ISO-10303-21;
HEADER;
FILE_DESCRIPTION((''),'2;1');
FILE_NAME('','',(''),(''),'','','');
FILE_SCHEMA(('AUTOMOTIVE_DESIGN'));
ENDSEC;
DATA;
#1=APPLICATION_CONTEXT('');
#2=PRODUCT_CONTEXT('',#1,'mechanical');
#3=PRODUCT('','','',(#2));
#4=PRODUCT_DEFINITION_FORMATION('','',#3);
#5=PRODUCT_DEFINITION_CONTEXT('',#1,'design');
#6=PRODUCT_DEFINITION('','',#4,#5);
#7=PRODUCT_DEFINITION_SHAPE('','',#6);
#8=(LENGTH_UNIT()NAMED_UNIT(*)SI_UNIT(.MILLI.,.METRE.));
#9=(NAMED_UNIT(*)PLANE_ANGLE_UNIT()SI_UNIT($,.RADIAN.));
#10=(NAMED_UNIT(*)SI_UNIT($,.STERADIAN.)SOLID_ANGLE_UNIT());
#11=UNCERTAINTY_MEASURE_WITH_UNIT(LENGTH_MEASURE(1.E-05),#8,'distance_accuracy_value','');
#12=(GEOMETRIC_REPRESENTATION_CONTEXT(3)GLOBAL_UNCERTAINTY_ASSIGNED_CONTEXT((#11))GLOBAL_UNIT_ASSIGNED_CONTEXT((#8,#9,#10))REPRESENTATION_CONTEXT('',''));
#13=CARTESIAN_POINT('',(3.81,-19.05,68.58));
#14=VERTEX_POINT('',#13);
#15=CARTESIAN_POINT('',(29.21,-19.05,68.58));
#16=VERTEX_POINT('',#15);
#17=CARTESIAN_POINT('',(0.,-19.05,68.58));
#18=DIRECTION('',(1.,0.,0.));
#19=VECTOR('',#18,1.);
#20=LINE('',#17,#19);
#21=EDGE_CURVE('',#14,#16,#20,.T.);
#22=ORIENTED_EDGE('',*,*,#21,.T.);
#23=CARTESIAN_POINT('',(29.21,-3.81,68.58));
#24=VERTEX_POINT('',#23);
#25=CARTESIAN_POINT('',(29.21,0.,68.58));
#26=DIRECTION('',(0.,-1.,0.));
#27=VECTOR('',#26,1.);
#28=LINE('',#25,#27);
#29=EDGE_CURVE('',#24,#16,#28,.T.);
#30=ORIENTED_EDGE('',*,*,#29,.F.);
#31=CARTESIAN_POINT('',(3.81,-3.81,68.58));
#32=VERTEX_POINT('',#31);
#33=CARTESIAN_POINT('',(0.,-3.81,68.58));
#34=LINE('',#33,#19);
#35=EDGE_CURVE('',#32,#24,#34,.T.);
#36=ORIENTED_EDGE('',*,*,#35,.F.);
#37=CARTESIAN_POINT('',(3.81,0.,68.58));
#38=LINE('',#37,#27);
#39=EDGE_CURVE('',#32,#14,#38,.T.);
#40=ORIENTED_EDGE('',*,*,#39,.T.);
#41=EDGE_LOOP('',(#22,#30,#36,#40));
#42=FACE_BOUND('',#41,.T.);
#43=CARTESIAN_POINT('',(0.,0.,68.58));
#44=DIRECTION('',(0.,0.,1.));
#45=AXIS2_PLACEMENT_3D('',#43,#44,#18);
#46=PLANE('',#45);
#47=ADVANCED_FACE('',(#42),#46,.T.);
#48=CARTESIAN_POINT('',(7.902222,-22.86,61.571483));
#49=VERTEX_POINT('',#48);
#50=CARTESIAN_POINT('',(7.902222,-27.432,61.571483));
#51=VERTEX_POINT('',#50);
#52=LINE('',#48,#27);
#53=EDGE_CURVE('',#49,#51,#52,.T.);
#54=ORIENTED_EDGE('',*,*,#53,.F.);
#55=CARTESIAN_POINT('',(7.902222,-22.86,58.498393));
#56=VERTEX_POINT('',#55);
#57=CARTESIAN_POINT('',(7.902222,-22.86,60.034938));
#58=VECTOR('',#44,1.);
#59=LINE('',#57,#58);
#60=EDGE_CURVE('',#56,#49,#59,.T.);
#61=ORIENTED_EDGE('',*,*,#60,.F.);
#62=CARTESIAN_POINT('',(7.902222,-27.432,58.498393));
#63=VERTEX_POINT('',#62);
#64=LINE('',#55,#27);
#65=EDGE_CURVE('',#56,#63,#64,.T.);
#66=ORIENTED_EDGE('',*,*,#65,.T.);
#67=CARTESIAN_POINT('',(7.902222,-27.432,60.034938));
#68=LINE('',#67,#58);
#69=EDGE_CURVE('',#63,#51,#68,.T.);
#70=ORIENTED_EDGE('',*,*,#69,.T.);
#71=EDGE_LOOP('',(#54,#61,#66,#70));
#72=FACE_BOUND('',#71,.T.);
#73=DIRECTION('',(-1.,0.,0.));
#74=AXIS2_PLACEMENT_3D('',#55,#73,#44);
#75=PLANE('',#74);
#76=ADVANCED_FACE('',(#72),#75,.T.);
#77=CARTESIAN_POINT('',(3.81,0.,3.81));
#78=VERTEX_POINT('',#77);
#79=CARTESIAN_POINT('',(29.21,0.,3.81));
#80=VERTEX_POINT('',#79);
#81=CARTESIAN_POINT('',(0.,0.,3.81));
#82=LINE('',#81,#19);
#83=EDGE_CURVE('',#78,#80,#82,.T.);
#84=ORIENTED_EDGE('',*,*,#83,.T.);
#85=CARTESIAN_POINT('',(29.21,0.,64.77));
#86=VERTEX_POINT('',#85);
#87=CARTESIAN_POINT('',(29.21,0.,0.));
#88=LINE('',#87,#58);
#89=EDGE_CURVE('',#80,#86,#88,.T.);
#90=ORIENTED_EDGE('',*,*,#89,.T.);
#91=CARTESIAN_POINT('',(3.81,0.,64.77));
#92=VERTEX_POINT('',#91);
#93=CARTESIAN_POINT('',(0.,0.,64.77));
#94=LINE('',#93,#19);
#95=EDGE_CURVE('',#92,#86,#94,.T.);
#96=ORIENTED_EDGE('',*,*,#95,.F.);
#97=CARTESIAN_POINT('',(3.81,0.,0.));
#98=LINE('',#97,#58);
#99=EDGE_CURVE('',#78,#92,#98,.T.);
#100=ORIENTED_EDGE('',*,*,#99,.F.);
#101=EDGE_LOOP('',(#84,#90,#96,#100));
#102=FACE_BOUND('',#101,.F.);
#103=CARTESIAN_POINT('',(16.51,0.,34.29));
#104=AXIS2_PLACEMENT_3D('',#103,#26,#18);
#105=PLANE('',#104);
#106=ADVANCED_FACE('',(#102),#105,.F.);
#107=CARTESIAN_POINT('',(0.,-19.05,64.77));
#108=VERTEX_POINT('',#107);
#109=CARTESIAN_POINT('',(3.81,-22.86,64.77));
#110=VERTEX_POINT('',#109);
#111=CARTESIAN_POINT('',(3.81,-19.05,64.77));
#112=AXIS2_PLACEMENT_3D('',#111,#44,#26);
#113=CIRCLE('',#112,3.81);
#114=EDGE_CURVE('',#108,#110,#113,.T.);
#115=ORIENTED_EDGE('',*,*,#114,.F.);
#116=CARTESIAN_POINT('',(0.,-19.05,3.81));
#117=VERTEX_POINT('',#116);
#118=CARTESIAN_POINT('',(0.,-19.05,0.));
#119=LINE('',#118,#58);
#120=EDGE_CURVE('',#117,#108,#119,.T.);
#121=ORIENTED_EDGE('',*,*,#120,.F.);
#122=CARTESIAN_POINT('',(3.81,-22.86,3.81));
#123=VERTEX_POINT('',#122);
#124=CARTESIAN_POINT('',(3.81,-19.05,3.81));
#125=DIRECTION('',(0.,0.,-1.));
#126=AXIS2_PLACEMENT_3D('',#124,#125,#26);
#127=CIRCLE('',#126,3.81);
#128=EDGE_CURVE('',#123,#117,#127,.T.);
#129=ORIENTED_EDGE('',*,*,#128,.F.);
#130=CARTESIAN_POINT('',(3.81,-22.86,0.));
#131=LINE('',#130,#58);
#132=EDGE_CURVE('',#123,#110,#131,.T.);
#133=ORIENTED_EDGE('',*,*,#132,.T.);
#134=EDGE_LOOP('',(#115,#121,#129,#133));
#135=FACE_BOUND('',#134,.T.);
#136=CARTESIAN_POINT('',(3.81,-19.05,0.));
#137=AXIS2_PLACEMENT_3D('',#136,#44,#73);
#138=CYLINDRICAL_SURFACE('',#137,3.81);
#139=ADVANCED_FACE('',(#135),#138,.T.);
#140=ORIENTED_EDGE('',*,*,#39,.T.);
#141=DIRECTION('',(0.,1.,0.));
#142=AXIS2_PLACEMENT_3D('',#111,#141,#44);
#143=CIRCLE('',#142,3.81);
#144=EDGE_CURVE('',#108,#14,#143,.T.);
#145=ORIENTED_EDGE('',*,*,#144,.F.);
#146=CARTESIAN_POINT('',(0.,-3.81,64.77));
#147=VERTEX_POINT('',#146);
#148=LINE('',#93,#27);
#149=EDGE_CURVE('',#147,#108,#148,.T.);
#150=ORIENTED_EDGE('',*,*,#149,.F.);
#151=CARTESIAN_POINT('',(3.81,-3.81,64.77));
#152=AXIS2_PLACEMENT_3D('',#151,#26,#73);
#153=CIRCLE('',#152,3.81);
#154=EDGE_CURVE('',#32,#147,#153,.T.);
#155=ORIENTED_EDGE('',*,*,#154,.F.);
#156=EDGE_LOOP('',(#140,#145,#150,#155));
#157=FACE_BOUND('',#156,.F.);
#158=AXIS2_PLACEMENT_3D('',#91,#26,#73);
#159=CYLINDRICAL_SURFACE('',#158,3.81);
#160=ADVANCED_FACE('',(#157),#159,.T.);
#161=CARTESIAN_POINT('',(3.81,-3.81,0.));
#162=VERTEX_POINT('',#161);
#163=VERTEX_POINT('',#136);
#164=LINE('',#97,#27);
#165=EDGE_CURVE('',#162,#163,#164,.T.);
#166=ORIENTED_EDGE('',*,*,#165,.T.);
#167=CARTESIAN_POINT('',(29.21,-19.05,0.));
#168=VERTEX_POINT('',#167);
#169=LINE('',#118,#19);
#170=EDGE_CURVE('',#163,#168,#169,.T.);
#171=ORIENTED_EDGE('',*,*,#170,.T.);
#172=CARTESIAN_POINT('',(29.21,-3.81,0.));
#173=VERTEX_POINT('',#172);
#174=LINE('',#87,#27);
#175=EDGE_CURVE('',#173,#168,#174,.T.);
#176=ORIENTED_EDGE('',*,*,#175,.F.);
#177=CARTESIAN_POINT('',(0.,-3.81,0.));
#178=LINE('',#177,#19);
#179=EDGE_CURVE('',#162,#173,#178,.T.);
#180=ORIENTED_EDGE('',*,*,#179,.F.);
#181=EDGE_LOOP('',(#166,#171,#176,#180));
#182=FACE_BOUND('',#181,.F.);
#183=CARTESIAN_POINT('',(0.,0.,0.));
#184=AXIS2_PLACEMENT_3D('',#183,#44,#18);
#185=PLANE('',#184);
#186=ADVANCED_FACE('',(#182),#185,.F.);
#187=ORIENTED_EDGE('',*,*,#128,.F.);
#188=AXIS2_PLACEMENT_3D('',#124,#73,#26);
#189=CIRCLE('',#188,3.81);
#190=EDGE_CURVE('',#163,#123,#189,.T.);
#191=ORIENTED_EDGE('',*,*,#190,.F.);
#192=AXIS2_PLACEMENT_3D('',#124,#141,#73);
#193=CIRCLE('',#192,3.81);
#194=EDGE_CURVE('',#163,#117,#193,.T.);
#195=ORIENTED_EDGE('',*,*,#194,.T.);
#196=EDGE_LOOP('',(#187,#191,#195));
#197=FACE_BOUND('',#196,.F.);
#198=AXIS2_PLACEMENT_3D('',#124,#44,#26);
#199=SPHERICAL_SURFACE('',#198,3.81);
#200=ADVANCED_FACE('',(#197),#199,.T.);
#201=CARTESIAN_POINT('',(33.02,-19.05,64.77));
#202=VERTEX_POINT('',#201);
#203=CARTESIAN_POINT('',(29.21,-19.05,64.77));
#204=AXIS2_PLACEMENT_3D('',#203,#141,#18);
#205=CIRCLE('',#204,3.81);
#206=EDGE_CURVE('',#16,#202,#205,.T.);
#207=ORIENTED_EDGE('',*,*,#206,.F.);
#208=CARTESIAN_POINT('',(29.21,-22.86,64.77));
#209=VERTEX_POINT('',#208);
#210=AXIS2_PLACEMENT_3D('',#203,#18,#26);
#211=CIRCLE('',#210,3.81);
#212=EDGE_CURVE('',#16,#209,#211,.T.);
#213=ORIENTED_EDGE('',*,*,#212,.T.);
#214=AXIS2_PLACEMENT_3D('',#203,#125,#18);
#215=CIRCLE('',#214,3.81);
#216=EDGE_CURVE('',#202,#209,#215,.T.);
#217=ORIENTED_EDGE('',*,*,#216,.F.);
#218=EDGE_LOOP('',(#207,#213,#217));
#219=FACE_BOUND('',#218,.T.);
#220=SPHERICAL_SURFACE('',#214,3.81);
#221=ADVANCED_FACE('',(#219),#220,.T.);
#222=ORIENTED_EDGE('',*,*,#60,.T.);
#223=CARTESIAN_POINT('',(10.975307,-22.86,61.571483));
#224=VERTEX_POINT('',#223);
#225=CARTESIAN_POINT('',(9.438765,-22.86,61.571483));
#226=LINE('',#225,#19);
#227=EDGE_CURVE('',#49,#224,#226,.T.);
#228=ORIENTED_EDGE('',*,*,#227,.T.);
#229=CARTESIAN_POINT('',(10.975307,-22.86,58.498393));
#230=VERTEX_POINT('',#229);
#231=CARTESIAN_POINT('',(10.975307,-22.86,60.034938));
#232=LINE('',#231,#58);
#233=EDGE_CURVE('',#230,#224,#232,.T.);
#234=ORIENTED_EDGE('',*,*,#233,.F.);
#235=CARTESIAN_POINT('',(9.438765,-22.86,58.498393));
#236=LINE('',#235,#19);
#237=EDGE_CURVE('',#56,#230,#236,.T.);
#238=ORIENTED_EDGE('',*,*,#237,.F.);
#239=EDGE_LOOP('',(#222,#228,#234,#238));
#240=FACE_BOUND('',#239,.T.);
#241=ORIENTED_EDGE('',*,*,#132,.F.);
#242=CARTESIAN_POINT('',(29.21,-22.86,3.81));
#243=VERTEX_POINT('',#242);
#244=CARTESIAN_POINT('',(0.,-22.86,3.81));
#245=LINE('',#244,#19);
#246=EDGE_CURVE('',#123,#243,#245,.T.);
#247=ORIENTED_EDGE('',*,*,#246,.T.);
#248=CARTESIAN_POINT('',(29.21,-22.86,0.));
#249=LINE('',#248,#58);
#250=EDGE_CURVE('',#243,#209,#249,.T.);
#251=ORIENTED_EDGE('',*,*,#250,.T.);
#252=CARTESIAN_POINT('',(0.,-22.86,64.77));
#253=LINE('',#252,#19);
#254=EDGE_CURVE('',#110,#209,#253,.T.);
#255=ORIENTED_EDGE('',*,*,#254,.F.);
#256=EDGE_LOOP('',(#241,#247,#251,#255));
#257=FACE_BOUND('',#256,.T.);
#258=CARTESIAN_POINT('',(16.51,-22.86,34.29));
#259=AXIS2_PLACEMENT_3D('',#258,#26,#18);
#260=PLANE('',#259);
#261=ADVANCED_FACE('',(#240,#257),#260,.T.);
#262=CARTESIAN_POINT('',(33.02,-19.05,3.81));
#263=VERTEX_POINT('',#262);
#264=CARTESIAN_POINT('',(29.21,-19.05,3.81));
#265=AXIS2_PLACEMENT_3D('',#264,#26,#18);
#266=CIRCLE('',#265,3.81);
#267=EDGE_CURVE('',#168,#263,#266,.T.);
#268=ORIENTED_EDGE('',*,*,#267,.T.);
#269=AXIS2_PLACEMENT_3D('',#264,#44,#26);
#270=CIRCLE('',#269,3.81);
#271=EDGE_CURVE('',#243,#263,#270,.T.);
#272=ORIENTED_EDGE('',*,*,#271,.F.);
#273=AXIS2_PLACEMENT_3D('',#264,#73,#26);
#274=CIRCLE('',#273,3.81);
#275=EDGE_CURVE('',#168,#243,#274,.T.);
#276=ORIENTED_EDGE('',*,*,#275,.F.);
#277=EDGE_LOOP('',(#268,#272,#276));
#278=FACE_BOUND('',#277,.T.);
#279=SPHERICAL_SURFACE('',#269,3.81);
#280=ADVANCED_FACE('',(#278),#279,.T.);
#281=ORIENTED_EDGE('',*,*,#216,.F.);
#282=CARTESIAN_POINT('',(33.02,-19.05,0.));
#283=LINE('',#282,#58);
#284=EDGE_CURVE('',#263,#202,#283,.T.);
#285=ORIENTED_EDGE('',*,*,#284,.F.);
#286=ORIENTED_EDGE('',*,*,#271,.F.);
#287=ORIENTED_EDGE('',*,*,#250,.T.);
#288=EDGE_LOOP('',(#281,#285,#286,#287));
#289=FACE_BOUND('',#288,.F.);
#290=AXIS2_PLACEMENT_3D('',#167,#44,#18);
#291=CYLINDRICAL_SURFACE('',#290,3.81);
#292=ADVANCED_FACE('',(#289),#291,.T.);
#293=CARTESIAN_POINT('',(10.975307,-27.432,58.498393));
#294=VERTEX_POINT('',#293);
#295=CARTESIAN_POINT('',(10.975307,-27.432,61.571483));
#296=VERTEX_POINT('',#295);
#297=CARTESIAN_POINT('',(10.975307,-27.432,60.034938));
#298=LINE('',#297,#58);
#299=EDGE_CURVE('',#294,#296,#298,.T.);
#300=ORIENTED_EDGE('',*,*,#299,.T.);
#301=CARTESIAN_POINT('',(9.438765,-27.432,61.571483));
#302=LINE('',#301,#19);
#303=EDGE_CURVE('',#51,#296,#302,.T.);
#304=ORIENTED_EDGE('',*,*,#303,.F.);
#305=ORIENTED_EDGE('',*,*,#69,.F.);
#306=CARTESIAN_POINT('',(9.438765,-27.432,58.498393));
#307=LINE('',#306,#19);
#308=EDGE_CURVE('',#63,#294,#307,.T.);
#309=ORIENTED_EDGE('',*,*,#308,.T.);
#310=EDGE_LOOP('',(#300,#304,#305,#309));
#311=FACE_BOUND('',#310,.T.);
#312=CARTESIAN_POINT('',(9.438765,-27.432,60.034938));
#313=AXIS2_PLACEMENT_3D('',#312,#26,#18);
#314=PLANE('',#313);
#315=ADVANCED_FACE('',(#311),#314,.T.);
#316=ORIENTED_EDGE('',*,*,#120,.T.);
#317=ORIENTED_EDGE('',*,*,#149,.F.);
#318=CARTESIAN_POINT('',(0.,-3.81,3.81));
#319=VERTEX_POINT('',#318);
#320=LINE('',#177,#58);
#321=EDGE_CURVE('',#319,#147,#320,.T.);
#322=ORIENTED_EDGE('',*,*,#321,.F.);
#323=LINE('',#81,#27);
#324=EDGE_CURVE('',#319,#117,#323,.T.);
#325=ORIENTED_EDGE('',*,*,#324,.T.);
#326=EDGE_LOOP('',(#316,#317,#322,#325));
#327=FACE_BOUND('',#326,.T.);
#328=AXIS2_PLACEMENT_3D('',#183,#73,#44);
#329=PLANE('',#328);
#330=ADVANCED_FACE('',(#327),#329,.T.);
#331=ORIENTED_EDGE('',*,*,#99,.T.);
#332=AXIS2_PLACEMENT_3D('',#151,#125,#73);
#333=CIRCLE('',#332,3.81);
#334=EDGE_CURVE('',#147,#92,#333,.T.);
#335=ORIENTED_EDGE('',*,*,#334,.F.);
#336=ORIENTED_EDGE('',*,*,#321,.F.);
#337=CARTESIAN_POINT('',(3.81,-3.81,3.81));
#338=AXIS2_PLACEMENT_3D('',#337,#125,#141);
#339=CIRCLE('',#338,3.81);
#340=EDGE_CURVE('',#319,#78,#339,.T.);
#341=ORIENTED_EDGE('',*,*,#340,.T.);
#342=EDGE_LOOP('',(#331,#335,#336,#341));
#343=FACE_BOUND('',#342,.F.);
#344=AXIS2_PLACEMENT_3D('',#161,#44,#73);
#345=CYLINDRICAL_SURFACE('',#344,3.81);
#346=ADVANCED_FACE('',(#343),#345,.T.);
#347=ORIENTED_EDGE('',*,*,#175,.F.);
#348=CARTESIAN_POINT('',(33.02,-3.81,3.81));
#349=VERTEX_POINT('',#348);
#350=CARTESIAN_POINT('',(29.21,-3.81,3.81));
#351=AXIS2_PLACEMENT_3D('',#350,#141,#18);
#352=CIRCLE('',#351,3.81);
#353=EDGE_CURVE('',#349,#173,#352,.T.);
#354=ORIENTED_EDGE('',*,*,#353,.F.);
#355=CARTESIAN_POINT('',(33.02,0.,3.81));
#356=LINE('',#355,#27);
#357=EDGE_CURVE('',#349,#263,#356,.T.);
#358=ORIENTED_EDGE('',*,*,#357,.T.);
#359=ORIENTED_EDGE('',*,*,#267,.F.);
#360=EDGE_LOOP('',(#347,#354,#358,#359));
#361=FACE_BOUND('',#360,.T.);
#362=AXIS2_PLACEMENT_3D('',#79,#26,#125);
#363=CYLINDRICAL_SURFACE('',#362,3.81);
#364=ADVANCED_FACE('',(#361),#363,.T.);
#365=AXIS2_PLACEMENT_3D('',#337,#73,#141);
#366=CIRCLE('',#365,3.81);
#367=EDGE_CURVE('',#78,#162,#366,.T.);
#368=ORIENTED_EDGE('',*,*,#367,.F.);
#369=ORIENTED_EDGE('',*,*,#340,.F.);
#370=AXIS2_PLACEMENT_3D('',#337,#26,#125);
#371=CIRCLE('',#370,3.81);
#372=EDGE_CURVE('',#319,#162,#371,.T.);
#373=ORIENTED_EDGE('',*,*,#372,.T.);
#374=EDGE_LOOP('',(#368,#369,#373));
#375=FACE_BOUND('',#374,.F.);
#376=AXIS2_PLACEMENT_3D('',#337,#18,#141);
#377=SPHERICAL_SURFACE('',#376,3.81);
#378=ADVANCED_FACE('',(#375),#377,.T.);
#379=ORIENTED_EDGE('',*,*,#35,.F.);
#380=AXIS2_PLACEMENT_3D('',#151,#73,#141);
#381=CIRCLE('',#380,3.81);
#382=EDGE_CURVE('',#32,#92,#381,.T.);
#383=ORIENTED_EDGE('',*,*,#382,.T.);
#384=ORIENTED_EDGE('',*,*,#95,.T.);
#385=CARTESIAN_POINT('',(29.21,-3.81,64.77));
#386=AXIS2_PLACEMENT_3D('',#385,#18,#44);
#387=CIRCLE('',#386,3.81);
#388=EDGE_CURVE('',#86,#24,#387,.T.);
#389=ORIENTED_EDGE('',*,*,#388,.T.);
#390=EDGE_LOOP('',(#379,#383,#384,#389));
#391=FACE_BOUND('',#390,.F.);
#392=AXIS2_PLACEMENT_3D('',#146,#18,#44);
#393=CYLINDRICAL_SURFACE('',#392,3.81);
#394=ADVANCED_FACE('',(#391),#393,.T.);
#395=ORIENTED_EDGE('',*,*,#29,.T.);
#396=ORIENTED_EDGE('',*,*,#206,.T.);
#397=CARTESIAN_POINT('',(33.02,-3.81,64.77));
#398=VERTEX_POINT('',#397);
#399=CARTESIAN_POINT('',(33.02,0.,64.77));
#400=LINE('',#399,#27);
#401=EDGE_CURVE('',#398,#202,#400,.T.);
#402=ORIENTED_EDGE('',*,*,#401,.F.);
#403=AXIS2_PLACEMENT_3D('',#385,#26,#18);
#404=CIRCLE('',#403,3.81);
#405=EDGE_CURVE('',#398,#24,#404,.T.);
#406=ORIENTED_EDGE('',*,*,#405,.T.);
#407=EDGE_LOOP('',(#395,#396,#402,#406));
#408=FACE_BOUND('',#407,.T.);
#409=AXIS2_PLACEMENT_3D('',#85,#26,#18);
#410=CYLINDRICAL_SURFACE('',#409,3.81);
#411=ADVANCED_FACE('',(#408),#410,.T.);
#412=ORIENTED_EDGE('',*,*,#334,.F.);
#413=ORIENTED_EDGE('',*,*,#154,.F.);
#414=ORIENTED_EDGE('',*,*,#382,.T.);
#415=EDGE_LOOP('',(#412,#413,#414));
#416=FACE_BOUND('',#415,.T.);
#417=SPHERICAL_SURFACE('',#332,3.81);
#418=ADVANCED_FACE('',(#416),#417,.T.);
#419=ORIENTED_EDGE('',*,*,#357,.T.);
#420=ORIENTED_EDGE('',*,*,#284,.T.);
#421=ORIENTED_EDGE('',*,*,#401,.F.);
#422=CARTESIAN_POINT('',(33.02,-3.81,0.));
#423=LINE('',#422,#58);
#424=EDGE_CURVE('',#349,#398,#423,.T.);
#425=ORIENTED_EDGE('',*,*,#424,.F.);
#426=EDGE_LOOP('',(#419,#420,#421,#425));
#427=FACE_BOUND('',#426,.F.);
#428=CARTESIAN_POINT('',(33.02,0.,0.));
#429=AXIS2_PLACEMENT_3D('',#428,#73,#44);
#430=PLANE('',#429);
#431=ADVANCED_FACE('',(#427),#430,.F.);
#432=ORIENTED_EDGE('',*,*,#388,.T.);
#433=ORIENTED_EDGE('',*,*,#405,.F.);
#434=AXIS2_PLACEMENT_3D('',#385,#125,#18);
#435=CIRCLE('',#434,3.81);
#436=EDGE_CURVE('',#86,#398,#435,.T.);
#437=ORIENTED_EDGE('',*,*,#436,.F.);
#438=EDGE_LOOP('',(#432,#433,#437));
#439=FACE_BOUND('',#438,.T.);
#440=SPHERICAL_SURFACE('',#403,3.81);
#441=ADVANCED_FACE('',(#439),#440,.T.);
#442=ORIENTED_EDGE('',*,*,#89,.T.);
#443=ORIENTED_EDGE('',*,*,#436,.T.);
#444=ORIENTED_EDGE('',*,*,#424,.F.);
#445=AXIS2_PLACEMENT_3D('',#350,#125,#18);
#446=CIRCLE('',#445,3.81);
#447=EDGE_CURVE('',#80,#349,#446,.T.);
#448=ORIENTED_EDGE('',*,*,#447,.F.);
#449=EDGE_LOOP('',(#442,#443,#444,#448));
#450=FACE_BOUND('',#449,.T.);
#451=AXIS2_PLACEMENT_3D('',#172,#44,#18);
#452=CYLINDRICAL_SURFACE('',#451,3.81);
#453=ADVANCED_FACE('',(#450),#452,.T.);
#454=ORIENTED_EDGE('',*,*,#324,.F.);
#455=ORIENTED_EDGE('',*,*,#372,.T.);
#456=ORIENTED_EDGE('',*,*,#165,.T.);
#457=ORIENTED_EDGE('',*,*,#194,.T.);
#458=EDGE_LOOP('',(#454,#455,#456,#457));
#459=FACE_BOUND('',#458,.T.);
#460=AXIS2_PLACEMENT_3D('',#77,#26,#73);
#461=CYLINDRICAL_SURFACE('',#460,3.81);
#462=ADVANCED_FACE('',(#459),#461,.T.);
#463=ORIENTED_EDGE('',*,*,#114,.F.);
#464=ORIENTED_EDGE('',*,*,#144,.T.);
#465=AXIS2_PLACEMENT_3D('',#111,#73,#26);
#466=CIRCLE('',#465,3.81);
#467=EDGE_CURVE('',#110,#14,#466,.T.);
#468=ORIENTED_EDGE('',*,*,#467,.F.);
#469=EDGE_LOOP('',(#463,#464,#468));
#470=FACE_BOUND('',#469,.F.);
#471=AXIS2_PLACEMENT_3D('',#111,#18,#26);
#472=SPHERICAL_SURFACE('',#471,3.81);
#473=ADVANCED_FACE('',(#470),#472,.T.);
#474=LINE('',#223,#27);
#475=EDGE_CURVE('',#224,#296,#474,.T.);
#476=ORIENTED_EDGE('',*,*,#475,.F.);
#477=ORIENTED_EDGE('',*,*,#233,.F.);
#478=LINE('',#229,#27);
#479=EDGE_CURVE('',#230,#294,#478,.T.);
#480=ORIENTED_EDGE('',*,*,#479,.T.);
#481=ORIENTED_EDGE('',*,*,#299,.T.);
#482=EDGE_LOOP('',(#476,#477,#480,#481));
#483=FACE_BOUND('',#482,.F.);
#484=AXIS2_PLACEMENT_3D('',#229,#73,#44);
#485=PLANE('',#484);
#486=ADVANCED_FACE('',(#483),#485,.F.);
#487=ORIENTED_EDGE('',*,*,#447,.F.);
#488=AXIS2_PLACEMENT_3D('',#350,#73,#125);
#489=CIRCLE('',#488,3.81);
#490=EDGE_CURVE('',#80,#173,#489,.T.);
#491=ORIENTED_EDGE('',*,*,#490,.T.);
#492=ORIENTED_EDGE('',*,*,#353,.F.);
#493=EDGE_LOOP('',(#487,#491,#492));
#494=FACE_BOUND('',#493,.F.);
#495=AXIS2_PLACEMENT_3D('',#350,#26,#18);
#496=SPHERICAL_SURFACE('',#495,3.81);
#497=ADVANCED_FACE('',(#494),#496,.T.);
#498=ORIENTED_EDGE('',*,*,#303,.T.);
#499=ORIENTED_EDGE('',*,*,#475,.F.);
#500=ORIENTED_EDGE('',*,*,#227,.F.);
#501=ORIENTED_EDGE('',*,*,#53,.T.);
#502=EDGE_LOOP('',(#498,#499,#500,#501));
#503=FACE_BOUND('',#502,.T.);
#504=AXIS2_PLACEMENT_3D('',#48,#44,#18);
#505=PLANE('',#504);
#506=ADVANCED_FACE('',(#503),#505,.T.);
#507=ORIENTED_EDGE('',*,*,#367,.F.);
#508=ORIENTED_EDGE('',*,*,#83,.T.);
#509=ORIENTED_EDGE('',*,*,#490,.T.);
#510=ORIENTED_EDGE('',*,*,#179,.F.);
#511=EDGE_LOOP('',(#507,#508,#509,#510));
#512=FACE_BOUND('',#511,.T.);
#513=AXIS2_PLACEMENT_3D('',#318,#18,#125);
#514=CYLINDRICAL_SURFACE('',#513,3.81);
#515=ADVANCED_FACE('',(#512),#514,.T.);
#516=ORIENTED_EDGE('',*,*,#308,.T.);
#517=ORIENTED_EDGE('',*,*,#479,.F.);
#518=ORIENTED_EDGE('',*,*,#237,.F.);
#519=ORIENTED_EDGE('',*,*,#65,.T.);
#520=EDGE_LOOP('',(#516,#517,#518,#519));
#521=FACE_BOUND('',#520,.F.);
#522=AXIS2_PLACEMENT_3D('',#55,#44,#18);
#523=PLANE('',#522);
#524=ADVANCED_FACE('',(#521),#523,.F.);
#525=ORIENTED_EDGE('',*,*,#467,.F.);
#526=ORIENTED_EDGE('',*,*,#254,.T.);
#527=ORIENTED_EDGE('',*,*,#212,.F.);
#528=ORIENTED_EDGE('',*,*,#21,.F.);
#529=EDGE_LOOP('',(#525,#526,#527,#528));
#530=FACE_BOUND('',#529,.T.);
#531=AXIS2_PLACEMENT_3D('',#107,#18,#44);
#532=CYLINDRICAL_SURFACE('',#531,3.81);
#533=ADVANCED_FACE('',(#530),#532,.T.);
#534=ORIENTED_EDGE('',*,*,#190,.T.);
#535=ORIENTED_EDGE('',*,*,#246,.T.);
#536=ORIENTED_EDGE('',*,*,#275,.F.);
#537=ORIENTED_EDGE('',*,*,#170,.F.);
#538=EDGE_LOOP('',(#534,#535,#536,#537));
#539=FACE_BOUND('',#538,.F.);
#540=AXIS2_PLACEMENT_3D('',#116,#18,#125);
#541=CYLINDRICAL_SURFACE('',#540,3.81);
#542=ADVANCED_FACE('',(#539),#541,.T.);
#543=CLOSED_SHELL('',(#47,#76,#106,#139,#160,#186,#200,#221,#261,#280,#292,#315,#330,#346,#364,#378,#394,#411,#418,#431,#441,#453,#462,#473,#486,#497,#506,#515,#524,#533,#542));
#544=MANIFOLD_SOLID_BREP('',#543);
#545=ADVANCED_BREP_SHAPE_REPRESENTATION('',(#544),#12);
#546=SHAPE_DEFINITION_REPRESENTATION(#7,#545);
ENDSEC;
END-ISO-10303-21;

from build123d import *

# Parameters (mm, degrees)
F0_W     = 33.02
F0_H     = 68.58
F1_DEPTH = 22.86
F2_R     = 3.81
F3_W     = 3.073085
F3_H     = 3.073089
F4_DEPTH = 4.572


with BuildPart() as f1:
    # F0 (on Front) → F1 (new body)
    with BuildSketch(Plane.XZ):
        with Locations((16.51, 34.29)):
            Rectangle(F0_W, F0_H)
    extrude(amount=F1_DEPTH)

    # F2
    f2_edges = [f1.edges().sort_by_distance(p)[0] for p in [
        (33.02, -22.86, 34.29),
        (33.02, -11.43, 68.58),
        (16.51, -22.86, 68.58),
        (0, -22.86, 34.29),
        (16.51, -22.86, 0),
        (33.02, -11.43, 0),
        (33.02, 0, 34.29),
        (16.51, 0, 0),
        (0, 0, 34.29),
        (0, -11.43, 68.58),
        (0, -11.43, 0),
        (16.51, 0, 68.58),
    ]]
    fillet(f2_edges, radius=F2_R)

    # F3 (on face) → F4 (join)
    with BuildSketch(Plane.XZ.offset(22.86)):
        with Locations((9.438765, 60.034938)):
            Rectangle(F3_W, F3_H)
    extrude(amount=F4_DEPTH)


solid = f1.part
